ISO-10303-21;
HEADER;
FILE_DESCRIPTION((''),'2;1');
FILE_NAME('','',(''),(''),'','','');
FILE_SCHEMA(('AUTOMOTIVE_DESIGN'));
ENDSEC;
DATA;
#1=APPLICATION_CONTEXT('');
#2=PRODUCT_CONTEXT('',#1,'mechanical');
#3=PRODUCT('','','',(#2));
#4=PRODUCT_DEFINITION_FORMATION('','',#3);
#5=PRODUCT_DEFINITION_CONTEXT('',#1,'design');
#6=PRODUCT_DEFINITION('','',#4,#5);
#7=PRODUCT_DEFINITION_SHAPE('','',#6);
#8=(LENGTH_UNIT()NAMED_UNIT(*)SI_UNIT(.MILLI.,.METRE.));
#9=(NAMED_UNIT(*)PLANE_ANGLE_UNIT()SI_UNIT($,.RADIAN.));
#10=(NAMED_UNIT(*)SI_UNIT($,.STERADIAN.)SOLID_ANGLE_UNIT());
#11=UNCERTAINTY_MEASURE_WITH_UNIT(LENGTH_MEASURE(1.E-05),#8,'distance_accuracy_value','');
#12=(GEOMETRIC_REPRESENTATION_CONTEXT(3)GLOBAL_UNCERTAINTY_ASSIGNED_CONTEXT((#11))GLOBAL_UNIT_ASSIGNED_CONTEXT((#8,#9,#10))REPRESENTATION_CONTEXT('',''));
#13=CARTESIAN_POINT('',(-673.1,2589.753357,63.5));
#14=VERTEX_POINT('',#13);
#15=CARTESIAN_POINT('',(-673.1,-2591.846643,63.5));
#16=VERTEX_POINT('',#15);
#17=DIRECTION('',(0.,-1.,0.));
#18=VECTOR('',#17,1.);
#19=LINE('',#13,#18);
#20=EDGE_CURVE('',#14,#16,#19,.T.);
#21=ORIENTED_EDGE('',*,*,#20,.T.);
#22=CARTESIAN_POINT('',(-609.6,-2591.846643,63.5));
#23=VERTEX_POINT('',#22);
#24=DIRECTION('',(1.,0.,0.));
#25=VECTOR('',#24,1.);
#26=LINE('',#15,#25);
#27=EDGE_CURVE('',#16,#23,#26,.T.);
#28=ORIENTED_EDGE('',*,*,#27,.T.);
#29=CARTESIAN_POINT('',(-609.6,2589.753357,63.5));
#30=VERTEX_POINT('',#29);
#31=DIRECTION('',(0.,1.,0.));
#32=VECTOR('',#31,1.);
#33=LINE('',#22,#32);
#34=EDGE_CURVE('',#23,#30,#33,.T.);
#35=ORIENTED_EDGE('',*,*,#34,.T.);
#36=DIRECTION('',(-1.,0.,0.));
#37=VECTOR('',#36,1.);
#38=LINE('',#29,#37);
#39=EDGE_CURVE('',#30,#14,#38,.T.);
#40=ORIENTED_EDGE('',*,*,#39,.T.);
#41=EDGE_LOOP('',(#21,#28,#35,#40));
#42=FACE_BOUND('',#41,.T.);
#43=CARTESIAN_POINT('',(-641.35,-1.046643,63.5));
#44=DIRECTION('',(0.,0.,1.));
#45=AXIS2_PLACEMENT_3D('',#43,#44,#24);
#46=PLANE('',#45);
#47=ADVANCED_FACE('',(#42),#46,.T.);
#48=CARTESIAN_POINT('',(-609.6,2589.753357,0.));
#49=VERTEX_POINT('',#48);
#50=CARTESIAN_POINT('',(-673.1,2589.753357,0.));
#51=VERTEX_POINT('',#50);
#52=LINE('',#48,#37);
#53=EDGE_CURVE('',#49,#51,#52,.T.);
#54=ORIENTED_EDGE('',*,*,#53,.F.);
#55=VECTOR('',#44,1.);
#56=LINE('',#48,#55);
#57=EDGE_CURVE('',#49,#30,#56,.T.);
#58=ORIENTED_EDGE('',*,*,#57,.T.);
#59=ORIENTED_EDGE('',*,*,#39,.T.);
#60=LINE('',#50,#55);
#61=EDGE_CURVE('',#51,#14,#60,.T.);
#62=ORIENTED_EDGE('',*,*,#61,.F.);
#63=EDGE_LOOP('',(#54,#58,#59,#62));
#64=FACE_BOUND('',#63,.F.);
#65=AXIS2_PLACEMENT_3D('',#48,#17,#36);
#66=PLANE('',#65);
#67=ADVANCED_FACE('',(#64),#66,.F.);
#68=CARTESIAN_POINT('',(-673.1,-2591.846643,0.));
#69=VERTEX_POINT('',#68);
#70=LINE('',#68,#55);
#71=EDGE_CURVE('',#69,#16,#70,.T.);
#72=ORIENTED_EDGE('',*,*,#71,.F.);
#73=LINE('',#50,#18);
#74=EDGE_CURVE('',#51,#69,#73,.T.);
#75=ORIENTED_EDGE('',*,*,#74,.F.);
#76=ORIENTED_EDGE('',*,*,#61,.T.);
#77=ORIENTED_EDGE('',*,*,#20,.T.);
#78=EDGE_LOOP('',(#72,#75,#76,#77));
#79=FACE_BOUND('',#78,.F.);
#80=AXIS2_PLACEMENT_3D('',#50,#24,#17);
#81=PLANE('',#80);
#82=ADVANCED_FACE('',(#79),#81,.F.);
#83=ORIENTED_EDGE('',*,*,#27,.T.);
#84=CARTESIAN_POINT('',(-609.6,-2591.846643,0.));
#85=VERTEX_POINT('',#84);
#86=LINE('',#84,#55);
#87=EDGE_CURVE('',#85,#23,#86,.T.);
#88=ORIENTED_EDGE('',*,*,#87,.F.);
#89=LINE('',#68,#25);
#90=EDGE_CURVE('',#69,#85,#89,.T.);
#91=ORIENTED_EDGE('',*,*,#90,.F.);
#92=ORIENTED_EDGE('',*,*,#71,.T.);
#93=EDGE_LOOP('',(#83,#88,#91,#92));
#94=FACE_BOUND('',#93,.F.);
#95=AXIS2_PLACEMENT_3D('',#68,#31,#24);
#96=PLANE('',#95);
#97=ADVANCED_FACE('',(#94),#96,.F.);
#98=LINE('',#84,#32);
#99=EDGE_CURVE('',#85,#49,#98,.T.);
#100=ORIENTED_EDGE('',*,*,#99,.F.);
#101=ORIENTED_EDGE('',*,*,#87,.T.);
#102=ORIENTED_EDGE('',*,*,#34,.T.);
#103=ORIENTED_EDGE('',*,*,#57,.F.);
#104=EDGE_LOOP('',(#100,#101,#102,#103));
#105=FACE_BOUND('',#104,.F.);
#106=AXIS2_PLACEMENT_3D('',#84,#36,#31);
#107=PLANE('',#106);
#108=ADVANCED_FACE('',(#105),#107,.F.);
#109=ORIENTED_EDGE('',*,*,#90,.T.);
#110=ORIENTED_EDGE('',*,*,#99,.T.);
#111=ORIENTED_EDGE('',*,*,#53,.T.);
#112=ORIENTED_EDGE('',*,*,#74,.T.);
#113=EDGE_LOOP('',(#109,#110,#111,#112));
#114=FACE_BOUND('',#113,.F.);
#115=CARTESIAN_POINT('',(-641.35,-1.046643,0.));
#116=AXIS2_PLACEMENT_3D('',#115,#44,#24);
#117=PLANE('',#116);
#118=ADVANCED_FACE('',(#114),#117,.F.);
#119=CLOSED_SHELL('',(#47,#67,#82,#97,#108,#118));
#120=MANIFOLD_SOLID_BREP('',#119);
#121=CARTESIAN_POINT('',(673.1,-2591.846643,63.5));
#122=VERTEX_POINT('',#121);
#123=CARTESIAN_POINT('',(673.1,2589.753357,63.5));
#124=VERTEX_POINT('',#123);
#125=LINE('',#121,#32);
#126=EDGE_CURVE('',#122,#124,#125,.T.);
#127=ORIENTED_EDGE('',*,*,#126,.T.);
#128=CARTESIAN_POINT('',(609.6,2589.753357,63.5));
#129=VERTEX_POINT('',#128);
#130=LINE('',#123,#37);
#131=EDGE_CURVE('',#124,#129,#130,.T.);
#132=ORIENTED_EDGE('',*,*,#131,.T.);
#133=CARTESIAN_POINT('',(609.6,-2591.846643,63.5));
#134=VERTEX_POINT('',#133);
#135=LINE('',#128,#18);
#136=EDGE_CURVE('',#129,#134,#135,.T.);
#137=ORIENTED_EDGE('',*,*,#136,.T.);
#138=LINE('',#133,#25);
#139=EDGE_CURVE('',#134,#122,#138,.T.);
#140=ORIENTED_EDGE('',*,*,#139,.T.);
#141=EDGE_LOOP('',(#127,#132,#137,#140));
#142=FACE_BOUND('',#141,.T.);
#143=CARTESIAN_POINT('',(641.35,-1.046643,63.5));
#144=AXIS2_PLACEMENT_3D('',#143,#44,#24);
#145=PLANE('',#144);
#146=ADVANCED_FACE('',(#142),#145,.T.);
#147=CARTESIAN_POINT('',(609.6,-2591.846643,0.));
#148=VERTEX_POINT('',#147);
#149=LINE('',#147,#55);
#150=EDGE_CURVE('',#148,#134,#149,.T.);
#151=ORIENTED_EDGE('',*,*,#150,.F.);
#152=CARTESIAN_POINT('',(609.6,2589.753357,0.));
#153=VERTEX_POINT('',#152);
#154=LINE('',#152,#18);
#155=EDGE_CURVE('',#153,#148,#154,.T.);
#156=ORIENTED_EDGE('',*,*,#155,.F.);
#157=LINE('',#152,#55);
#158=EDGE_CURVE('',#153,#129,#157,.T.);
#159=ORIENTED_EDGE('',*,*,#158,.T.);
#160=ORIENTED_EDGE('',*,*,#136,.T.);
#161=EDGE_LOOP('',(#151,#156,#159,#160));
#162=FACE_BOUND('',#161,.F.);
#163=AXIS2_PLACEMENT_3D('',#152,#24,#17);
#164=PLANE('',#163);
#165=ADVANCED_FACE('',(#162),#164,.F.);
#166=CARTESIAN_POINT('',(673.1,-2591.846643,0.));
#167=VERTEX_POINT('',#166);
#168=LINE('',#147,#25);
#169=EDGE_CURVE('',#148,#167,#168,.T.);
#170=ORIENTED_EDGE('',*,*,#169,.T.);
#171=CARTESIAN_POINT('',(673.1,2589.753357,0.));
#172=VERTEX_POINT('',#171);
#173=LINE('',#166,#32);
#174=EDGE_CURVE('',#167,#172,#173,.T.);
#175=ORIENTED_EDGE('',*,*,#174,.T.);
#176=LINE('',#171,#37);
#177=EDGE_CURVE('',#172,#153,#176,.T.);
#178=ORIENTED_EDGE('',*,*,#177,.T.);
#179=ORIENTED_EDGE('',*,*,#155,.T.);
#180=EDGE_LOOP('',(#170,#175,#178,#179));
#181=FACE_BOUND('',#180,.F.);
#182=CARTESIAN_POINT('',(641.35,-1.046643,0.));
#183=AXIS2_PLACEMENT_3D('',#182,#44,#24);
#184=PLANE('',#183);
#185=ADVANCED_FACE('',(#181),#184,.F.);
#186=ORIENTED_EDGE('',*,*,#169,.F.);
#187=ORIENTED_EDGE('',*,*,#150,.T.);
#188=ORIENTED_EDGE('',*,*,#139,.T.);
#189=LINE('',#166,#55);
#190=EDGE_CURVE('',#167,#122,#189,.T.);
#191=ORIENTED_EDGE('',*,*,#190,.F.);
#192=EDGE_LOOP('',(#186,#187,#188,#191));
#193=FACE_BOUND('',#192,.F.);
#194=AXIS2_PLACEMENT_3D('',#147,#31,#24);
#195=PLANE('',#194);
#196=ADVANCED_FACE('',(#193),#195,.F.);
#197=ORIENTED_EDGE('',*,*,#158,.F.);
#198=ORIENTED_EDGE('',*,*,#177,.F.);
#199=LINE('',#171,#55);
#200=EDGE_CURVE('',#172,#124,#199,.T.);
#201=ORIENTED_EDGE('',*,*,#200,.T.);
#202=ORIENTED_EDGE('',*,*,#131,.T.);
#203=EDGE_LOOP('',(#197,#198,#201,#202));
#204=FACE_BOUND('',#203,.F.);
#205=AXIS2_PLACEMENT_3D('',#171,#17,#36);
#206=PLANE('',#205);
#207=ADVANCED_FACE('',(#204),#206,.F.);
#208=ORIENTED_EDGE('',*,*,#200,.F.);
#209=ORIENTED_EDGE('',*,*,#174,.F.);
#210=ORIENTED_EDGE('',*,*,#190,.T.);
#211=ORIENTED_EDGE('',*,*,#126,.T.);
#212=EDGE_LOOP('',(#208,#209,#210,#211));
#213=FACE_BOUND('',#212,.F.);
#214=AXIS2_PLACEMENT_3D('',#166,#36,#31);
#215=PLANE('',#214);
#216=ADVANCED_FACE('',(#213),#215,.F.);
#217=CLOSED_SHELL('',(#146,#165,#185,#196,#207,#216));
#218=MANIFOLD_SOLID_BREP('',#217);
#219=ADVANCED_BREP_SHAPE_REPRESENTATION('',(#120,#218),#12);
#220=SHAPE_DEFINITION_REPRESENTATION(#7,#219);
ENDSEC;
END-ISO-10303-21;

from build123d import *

# Parameters (mm, degrees)
F1_DEPTH = 63.5


with BuildPart() as f1:
    # F0 (on Top) → F1 (new body)
    with BuildSketch(Plane.XY):
        Polygon((673.1, 2589.753357), (609.6, 2589.753357), (609.6, 1657.659292), (609.6, 746.971726), (609.6, -746.971726), (609.6, -1657.659292), (609.6, -2591.846643), (673.1, -2591.846643), align=None)
        Polygon((-609.6, 2589.753357), (-673.1, 2589.753357), (-673.1, -2591.846643), (-609.6, -2591.846643), (-609.6, -1657.659292), (-609.6, -746.971726), (-609.6, 746.971726), (-609.6, 1657.659292), align=None)
    extrude(amount=F1_DEPTH)


solid = f1.part
